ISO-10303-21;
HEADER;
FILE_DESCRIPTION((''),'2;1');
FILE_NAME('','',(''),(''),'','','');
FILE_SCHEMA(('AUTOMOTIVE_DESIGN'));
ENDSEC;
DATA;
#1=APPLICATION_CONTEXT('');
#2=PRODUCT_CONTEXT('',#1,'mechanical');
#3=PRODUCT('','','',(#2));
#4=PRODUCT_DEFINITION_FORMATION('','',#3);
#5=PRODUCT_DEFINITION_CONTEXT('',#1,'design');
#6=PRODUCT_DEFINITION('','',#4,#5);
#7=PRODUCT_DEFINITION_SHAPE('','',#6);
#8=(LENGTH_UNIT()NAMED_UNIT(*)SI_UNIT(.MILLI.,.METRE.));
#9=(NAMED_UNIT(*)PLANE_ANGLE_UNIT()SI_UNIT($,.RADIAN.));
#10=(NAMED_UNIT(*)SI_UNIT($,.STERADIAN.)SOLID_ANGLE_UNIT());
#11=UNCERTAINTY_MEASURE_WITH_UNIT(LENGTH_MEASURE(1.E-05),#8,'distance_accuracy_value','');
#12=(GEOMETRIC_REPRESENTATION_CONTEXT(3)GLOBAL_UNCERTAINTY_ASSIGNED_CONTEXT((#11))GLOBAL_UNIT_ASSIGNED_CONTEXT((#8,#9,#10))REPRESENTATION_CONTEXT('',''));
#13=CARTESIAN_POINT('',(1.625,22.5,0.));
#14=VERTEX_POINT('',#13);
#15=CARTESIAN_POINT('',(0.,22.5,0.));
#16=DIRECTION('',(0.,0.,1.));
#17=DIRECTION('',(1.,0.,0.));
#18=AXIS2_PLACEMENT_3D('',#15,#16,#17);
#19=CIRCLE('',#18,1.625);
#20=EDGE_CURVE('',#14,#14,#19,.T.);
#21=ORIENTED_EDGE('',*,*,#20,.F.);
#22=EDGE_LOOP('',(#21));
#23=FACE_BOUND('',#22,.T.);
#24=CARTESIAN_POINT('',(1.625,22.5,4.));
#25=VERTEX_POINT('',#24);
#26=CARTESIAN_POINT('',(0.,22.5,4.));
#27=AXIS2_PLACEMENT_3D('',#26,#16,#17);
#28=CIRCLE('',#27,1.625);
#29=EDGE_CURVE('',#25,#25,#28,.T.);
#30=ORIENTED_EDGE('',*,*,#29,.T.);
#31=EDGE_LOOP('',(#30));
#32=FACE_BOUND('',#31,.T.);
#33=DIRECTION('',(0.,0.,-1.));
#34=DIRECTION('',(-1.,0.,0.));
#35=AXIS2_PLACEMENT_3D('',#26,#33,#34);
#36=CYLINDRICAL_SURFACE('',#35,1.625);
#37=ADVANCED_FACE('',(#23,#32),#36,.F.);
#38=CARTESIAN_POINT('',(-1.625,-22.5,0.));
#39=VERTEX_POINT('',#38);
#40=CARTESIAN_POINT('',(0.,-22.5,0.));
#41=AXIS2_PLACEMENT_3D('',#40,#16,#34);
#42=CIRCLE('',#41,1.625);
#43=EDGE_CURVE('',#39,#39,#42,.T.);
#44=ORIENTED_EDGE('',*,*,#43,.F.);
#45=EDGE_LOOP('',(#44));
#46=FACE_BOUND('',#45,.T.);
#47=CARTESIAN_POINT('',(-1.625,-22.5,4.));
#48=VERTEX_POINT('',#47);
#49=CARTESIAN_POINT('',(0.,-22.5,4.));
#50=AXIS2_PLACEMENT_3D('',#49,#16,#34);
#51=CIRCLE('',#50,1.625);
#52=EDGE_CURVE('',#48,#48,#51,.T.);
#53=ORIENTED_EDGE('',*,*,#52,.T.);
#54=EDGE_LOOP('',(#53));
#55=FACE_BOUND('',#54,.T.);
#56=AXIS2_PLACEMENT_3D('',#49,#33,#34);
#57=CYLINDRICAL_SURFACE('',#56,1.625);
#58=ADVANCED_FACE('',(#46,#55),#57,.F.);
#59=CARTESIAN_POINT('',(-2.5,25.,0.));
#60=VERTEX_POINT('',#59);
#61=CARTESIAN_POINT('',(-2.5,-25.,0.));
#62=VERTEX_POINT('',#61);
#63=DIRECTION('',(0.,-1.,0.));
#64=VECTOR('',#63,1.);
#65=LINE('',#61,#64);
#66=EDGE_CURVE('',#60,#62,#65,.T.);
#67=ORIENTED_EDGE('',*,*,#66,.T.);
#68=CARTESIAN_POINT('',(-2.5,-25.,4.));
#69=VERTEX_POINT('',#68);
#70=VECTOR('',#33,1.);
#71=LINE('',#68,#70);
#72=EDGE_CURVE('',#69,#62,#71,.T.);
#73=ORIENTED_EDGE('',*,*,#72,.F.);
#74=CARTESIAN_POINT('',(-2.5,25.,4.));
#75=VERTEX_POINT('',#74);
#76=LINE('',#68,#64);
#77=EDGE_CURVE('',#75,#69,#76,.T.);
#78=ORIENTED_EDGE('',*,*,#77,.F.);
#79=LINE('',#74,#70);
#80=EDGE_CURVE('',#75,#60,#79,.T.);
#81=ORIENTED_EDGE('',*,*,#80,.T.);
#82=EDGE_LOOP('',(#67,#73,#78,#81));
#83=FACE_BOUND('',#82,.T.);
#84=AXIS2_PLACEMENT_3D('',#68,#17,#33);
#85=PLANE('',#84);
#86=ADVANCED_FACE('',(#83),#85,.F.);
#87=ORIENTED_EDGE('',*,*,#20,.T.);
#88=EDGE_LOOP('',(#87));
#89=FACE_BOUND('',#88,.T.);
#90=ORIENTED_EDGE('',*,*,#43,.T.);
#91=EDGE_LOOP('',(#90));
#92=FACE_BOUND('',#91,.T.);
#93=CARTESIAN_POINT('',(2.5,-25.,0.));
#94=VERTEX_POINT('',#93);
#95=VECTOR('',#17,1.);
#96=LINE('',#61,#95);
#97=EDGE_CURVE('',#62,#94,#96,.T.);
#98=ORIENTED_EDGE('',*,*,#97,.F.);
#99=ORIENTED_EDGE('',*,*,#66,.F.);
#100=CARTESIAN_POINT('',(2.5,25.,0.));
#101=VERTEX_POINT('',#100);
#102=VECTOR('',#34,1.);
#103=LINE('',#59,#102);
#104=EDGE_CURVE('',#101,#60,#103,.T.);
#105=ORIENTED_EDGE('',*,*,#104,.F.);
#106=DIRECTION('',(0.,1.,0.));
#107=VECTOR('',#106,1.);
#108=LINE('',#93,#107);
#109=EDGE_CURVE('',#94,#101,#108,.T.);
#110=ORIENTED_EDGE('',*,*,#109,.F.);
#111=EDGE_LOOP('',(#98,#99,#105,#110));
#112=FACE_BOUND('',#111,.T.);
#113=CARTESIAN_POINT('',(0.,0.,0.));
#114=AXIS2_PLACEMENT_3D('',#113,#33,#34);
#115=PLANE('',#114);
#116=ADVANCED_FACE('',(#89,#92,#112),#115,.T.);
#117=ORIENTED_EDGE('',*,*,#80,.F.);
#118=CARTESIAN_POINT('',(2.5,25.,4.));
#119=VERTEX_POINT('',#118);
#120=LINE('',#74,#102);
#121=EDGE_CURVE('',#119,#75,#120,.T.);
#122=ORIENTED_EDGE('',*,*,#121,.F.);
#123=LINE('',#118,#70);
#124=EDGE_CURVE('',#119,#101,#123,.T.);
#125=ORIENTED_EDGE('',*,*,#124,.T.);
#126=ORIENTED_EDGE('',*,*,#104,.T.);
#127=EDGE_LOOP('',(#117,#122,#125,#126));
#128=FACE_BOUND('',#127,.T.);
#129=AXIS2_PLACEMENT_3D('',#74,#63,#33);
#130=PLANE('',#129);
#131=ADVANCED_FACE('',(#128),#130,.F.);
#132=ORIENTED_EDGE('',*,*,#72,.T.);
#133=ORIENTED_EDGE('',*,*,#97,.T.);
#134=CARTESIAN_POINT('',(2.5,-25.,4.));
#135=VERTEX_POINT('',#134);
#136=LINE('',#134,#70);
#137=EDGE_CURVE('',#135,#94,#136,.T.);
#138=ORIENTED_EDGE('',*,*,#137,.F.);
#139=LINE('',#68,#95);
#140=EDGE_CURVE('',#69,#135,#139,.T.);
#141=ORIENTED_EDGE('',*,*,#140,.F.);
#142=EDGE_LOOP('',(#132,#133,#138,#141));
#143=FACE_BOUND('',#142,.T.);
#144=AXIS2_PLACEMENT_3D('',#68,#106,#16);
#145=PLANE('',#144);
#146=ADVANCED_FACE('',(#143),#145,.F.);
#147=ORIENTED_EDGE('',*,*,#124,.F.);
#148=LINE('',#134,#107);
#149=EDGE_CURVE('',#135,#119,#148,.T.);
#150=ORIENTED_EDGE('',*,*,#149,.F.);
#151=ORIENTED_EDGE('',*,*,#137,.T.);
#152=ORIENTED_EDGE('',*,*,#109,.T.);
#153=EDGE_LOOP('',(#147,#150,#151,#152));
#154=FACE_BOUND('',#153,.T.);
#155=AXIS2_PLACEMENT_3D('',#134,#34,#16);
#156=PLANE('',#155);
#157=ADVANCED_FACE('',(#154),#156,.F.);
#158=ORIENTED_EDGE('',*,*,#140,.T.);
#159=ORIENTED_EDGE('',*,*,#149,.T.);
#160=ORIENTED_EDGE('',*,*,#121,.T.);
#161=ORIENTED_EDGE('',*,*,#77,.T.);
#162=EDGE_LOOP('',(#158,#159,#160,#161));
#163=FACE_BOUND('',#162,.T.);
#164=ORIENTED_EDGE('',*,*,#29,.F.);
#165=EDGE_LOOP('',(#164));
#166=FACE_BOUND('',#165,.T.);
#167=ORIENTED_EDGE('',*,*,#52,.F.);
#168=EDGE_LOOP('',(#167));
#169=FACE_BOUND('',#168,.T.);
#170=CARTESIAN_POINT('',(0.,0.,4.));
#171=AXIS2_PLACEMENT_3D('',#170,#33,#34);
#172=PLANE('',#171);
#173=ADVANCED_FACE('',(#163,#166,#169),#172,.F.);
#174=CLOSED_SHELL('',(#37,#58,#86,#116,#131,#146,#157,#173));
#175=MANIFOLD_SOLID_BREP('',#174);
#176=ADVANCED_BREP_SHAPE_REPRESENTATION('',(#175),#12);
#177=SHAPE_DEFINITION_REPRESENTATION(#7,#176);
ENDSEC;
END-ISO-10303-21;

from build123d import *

# Parameters (mm, degrees)
SKETCH1_W           = 5
SKETCH1_H           = 50
SKETCH1_R           = 1.625
BOSS_EXTRUDE1_DEPTH = 4


with BuildPart() as part:
    # Sketch1 → Boss-Extrude1 (new body)
    with BuildSketch(Plane.XY):
        Rectangle(SKETCH1_W, SKETCH1_H)
        with Locations((0, 22.5)):
            Circle(SKETCH1_R, mode=Mode.SUBTRACT)
        with Locations(Location((0, -22.5, 0), (0, 0, 180))):
            Circle(SKETCH1_R, mode=Mode.SUBTRACT)
    extrude(amount=BOSS_EXTRUDE1_DEPTH)


solid = part.part
